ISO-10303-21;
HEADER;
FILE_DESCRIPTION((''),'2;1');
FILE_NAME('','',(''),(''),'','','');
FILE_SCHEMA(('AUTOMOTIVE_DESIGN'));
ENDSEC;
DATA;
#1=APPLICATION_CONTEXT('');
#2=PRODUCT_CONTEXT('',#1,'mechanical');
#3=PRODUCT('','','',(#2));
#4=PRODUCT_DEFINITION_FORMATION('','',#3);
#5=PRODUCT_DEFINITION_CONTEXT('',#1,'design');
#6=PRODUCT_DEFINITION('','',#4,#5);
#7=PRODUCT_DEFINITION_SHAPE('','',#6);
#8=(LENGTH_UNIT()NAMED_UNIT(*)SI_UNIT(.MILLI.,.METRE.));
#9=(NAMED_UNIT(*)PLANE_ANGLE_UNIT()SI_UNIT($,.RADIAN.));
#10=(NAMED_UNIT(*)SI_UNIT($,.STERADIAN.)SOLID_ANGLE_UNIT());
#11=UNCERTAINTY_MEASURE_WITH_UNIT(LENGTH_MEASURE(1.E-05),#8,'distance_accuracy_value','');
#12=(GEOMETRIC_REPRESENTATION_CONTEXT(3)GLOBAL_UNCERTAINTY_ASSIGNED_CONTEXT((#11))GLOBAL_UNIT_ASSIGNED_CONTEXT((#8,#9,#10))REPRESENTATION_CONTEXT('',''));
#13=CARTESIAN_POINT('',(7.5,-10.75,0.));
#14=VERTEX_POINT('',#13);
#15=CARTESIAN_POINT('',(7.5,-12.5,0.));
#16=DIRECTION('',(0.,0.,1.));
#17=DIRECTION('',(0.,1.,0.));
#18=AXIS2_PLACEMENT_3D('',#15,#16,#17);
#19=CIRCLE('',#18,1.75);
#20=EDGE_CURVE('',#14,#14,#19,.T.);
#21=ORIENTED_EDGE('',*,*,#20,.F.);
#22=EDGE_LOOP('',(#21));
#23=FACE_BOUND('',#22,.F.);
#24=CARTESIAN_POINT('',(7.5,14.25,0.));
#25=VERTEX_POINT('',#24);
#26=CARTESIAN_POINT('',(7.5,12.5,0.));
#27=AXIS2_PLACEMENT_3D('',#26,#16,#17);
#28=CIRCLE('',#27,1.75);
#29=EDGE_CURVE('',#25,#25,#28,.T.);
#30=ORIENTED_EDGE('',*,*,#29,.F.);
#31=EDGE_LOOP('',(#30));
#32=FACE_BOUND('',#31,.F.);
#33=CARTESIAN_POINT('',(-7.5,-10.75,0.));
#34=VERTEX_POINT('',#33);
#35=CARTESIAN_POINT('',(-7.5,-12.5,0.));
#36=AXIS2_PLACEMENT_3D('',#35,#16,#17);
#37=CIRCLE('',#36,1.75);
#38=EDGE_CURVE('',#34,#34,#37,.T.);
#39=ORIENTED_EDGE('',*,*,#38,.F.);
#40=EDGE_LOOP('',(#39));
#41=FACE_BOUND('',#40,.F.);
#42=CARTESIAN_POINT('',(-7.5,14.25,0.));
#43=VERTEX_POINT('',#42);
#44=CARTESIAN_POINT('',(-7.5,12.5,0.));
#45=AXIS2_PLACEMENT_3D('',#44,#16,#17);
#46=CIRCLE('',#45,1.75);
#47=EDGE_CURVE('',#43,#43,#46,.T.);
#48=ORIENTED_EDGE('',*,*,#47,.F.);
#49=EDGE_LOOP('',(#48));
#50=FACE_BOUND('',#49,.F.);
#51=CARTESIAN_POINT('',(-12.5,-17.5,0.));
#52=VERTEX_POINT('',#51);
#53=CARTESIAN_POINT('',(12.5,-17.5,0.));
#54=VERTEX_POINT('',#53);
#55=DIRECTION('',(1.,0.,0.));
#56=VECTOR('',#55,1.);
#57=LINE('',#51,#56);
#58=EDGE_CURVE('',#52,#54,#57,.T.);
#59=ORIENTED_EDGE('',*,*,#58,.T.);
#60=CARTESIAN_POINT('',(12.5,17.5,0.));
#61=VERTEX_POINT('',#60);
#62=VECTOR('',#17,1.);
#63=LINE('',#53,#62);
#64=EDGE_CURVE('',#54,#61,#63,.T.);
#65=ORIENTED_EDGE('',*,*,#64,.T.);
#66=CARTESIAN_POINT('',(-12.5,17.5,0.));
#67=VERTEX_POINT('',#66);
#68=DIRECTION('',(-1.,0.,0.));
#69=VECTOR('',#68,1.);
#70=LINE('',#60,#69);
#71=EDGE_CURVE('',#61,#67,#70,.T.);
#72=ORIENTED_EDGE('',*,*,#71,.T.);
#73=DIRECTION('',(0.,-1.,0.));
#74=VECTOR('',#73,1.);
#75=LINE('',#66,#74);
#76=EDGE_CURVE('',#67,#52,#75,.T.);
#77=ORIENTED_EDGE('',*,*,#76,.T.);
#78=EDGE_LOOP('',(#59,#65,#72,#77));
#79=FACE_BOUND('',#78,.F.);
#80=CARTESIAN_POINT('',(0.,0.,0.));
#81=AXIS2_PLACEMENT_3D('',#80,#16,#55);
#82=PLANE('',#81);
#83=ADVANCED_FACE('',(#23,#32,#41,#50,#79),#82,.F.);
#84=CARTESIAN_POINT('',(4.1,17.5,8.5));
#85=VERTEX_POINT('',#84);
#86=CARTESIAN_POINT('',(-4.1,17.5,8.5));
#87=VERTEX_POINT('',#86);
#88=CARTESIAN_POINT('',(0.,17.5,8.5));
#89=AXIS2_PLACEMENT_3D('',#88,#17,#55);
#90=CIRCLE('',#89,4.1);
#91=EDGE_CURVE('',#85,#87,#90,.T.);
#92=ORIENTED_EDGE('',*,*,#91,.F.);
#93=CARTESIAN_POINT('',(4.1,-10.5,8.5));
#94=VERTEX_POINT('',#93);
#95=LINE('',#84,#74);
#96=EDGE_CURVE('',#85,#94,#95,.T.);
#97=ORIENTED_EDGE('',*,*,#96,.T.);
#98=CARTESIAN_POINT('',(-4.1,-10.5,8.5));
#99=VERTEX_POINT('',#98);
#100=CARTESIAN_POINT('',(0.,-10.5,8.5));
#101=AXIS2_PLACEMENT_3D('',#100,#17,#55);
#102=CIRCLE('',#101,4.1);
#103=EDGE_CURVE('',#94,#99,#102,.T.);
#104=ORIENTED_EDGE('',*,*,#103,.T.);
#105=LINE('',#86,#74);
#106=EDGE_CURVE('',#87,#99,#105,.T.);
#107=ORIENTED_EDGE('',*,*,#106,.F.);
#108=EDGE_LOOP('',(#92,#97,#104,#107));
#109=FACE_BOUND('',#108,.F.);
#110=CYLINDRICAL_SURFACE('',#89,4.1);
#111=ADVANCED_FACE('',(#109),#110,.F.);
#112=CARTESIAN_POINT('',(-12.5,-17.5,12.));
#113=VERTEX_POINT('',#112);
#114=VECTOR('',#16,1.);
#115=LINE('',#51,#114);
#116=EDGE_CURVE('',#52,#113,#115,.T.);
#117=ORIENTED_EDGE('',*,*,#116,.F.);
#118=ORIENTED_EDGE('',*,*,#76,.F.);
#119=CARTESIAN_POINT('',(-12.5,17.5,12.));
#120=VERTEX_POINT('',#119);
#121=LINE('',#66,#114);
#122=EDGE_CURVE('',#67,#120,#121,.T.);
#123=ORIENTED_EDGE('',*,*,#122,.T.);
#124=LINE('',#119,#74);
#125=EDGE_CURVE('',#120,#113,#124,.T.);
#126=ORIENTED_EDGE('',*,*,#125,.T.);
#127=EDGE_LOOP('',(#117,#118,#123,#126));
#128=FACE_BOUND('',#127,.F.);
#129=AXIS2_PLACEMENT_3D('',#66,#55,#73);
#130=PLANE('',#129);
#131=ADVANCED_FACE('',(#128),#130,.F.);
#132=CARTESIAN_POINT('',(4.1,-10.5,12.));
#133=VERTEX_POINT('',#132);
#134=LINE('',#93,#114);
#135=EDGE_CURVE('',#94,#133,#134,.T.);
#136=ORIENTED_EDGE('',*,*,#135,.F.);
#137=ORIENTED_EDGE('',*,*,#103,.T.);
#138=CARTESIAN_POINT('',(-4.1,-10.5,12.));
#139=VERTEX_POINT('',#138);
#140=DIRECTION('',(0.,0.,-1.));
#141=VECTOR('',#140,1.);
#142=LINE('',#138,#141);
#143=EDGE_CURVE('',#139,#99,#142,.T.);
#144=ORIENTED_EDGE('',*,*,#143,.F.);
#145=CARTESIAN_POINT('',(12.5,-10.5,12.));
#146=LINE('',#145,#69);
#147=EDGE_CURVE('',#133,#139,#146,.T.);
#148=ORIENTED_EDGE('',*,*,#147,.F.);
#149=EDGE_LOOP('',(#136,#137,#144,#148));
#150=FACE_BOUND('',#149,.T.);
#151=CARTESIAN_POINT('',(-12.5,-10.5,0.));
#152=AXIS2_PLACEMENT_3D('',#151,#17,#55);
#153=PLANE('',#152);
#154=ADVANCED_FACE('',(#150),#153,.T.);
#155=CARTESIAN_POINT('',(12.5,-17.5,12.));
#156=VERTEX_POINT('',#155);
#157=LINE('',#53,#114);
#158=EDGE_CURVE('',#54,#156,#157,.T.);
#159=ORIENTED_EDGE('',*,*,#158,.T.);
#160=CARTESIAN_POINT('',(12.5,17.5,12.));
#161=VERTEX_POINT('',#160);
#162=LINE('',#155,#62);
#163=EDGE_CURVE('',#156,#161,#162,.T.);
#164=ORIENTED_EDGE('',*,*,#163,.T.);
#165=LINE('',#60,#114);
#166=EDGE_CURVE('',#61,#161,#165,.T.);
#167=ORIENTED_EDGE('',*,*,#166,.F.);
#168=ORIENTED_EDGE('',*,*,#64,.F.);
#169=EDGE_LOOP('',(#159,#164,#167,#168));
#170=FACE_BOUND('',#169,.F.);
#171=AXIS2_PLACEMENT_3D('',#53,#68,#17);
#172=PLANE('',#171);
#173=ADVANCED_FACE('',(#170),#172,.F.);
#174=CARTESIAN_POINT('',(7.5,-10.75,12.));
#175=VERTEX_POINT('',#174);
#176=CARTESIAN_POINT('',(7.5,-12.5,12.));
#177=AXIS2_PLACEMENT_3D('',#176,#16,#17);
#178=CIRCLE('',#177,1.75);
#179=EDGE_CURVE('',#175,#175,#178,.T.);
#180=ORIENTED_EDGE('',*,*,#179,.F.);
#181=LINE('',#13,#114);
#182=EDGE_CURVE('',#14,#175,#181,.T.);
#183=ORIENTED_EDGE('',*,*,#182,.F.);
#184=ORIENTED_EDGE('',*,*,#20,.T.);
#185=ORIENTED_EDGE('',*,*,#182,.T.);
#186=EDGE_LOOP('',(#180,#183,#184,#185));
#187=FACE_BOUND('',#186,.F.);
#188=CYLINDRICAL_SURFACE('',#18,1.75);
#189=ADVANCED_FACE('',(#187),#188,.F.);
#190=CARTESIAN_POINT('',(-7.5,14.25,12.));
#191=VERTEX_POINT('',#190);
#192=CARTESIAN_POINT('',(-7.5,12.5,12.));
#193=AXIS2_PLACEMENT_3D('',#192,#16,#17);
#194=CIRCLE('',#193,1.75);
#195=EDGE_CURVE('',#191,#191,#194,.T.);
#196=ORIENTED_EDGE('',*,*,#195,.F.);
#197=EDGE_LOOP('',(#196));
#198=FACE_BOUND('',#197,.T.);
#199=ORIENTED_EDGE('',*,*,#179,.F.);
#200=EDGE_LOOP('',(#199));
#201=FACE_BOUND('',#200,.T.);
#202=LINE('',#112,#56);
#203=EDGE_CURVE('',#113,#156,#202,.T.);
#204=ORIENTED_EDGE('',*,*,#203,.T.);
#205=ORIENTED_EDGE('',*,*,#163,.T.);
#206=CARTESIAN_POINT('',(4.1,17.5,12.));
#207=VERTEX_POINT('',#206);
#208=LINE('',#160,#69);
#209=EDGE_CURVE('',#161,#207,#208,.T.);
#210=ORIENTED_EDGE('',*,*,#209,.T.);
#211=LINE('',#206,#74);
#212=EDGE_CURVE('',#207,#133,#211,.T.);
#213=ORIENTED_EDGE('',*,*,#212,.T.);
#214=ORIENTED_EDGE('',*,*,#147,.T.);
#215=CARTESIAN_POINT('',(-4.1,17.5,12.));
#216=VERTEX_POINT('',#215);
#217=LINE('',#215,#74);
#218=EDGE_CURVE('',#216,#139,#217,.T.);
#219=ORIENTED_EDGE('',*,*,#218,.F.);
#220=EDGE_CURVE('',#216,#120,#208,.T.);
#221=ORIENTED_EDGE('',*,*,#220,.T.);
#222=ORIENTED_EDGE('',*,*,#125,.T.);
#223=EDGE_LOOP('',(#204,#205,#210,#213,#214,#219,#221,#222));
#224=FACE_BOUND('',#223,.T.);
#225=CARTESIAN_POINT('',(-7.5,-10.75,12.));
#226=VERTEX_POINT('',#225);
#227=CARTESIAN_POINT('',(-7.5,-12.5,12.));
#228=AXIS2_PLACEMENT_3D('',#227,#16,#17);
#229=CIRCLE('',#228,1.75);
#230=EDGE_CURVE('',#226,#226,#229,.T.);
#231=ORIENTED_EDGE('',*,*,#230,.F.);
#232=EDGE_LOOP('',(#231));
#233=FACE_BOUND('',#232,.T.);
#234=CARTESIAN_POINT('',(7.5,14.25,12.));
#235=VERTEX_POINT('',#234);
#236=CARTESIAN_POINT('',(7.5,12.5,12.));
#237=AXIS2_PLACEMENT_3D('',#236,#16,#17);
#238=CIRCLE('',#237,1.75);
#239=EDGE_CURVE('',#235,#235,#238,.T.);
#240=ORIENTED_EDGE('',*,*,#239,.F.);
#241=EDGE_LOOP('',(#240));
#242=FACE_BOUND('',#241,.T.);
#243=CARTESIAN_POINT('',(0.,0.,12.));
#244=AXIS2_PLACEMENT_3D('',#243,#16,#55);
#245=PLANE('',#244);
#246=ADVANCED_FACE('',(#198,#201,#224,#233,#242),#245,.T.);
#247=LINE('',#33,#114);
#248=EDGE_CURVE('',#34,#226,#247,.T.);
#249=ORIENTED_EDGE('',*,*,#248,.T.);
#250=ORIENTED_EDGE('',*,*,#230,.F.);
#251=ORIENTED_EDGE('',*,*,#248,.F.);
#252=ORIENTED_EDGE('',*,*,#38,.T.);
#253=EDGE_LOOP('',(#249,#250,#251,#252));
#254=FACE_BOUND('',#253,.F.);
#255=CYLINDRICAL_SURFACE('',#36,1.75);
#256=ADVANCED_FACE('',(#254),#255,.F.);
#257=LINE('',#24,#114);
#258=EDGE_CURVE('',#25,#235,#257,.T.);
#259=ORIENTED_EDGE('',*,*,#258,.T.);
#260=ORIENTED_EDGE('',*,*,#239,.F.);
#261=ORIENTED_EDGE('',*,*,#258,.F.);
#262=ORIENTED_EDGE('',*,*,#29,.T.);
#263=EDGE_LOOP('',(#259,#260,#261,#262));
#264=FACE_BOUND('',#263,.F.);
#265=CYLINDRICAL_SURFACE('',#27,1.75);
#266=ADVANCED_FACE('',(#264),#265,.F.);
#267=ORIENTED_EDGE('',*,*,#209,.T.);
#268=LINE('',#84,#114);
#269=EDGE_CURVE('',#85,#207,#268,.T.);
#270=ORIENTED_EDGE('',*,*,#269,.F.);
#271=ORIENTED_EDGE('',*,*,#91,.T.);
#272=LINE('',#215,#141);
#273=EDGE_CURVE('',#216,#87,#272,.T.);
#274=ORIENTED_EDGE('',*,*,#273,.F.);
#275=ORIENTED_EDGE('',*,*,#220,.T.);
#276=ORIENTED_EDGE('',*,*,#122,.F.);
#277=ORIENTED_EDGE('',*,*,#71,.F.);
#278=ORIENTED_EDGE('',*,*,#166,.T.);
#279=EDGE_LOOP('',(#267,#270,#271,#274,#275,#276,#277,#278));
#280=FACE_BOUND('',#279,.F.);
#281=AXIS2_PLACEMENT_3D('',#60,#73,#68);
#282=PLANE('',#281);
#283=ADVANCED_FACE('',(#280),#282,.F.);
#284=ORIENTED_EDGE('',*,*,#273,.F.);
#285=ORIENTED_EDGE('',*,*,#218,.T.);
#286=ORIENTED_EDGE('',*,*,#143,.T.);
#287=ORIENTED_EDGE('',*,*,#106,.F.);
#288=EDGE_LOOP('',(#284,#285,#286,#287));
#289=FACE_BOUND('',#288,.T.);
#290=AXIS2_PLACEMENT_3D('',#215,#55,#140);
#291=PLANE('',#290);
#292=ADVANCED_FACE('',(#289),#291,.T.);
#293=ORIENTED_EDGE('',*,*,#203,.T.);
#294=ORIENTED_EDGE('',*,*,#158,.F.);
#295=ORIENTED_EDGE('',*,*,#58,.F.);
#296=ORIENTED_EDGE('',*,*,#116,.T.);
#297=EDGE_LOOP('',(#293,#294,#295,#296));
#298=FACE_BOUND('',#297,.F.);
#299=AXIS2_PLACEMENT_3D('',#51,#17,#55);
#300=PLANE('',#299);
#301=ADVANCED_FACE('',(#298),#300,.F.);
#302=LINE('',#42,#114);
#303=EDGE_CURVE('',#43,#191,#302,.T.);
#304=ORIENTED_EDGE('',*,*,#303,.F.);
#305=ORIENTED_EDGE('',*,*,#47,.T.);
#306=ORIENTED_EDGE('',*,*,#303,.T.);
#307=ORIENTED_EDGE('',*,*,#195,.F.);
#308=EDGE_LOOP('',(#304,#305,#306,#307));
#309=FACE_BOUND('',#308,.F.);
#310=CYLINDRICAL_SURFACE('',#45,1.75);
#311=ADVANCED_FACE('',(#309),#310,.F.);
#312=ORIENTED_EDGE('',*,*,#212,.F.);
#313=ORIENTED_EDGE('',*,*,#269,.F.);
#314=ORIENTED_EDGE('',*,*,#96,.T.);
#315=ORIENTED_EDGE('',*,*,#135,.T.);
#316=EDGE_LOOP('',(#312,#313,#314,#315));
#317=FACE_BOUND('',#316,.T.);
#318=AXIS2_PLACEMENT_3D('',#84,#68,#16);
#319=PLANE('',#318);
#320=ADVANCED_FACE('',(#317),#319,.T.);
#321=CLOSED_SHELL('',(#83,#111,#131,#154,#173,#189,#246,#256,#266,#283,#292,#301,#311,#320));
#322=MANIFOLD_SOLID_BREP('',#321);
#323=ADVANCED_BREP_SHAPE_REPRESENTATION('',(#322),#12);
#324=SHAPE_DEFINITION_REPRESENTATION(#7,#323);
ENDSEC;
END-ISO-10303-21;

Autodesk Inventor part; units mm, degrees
ref_plane "YZ Plane" through (0, 0, 0) normal (1, 0, 0) x (0, 1, 0)
ref_plane "XZ Plane" through (0, 0, 0) normal (0, 1, 0) x (-1, 0, 0)
ref_plane "XY Plane" through (0, 0, 0) normal (0, 0, 1) x (1, 0, 0)
sketch "Szkic1" plane through (0, 0, 0) normal (0, 0, 1) x (1, 0, 0)
  line L0 (-12.5, -17.5) -> (12.5, -17.5)
  line L1 (12.5, -17.5) -> (12.5, 17.5)
  line L2 (12.5, 17.5) -> (-12.5, 17.5)
  line L3 (-12.5, 17.5) -> (-12.5, -17.5)
  line L4 (-12.5, -17.5) -> (12.5, 17.5) construction
  line L5 (12.5, -17.5) -> (-12.5, 17.5) construction
  line L6 (7.5, -12.5) -> (-7.5, -12.5) construction
  line L7 (-7.5, -12.5) -> (-7.5, 12.5) construction
  line L8 (-7.5, 12.5) -> (7.5, 12.5) construction
  line L9 (7.5, 12.5) -> (7.5, -12.5) construction
  line L10 (7.5, -12.5) -> (-7.5, 12.5) construction
  line L11 (-7.5, -12.5) -> (7.5, 12.5) construction
  point P0 (0, 0)
  dimension "d0" = 25
  dimension "d1" = 35
  dimension "d2" = 15
  dimension "d3" = 25
extrude "Wyciągnięcie proste1" add sketch "Szkic1" along normal blind 12
hole "Otwór1" at (-7.5, 12.5, 0) at (7.5, 12.5, 0) at (7.5, -12.5, 0) at (-7.5, -12.5, 0) direction (0, 0, 1) diameter 3.5 end through all
sketch "Szkic2" plane through (-12.5, 17.5, 0) normal (0, 1, 0) x (1, 0, 0)
  line L0 (25, -12) -> (0, -12) projected
  line L1 (12.5, 0) -> (12.5, -12) construction
  line L2 (8.4, -12) -> (8.4, -8.5)
  arc A0 (16.6, -8.5) -> (8.4, -8.5) centre (12.5, -8.5) ccw
  line L3 (16.6, -8.5) -> (16.6, -12)
  dimension "d13" = 4.1
  dimension "d15" = 3.5
extrude "Wyciągnięcie proste2" cut sketch "Szkic2" against normal blind 28
properties part number "roll_mount2"
